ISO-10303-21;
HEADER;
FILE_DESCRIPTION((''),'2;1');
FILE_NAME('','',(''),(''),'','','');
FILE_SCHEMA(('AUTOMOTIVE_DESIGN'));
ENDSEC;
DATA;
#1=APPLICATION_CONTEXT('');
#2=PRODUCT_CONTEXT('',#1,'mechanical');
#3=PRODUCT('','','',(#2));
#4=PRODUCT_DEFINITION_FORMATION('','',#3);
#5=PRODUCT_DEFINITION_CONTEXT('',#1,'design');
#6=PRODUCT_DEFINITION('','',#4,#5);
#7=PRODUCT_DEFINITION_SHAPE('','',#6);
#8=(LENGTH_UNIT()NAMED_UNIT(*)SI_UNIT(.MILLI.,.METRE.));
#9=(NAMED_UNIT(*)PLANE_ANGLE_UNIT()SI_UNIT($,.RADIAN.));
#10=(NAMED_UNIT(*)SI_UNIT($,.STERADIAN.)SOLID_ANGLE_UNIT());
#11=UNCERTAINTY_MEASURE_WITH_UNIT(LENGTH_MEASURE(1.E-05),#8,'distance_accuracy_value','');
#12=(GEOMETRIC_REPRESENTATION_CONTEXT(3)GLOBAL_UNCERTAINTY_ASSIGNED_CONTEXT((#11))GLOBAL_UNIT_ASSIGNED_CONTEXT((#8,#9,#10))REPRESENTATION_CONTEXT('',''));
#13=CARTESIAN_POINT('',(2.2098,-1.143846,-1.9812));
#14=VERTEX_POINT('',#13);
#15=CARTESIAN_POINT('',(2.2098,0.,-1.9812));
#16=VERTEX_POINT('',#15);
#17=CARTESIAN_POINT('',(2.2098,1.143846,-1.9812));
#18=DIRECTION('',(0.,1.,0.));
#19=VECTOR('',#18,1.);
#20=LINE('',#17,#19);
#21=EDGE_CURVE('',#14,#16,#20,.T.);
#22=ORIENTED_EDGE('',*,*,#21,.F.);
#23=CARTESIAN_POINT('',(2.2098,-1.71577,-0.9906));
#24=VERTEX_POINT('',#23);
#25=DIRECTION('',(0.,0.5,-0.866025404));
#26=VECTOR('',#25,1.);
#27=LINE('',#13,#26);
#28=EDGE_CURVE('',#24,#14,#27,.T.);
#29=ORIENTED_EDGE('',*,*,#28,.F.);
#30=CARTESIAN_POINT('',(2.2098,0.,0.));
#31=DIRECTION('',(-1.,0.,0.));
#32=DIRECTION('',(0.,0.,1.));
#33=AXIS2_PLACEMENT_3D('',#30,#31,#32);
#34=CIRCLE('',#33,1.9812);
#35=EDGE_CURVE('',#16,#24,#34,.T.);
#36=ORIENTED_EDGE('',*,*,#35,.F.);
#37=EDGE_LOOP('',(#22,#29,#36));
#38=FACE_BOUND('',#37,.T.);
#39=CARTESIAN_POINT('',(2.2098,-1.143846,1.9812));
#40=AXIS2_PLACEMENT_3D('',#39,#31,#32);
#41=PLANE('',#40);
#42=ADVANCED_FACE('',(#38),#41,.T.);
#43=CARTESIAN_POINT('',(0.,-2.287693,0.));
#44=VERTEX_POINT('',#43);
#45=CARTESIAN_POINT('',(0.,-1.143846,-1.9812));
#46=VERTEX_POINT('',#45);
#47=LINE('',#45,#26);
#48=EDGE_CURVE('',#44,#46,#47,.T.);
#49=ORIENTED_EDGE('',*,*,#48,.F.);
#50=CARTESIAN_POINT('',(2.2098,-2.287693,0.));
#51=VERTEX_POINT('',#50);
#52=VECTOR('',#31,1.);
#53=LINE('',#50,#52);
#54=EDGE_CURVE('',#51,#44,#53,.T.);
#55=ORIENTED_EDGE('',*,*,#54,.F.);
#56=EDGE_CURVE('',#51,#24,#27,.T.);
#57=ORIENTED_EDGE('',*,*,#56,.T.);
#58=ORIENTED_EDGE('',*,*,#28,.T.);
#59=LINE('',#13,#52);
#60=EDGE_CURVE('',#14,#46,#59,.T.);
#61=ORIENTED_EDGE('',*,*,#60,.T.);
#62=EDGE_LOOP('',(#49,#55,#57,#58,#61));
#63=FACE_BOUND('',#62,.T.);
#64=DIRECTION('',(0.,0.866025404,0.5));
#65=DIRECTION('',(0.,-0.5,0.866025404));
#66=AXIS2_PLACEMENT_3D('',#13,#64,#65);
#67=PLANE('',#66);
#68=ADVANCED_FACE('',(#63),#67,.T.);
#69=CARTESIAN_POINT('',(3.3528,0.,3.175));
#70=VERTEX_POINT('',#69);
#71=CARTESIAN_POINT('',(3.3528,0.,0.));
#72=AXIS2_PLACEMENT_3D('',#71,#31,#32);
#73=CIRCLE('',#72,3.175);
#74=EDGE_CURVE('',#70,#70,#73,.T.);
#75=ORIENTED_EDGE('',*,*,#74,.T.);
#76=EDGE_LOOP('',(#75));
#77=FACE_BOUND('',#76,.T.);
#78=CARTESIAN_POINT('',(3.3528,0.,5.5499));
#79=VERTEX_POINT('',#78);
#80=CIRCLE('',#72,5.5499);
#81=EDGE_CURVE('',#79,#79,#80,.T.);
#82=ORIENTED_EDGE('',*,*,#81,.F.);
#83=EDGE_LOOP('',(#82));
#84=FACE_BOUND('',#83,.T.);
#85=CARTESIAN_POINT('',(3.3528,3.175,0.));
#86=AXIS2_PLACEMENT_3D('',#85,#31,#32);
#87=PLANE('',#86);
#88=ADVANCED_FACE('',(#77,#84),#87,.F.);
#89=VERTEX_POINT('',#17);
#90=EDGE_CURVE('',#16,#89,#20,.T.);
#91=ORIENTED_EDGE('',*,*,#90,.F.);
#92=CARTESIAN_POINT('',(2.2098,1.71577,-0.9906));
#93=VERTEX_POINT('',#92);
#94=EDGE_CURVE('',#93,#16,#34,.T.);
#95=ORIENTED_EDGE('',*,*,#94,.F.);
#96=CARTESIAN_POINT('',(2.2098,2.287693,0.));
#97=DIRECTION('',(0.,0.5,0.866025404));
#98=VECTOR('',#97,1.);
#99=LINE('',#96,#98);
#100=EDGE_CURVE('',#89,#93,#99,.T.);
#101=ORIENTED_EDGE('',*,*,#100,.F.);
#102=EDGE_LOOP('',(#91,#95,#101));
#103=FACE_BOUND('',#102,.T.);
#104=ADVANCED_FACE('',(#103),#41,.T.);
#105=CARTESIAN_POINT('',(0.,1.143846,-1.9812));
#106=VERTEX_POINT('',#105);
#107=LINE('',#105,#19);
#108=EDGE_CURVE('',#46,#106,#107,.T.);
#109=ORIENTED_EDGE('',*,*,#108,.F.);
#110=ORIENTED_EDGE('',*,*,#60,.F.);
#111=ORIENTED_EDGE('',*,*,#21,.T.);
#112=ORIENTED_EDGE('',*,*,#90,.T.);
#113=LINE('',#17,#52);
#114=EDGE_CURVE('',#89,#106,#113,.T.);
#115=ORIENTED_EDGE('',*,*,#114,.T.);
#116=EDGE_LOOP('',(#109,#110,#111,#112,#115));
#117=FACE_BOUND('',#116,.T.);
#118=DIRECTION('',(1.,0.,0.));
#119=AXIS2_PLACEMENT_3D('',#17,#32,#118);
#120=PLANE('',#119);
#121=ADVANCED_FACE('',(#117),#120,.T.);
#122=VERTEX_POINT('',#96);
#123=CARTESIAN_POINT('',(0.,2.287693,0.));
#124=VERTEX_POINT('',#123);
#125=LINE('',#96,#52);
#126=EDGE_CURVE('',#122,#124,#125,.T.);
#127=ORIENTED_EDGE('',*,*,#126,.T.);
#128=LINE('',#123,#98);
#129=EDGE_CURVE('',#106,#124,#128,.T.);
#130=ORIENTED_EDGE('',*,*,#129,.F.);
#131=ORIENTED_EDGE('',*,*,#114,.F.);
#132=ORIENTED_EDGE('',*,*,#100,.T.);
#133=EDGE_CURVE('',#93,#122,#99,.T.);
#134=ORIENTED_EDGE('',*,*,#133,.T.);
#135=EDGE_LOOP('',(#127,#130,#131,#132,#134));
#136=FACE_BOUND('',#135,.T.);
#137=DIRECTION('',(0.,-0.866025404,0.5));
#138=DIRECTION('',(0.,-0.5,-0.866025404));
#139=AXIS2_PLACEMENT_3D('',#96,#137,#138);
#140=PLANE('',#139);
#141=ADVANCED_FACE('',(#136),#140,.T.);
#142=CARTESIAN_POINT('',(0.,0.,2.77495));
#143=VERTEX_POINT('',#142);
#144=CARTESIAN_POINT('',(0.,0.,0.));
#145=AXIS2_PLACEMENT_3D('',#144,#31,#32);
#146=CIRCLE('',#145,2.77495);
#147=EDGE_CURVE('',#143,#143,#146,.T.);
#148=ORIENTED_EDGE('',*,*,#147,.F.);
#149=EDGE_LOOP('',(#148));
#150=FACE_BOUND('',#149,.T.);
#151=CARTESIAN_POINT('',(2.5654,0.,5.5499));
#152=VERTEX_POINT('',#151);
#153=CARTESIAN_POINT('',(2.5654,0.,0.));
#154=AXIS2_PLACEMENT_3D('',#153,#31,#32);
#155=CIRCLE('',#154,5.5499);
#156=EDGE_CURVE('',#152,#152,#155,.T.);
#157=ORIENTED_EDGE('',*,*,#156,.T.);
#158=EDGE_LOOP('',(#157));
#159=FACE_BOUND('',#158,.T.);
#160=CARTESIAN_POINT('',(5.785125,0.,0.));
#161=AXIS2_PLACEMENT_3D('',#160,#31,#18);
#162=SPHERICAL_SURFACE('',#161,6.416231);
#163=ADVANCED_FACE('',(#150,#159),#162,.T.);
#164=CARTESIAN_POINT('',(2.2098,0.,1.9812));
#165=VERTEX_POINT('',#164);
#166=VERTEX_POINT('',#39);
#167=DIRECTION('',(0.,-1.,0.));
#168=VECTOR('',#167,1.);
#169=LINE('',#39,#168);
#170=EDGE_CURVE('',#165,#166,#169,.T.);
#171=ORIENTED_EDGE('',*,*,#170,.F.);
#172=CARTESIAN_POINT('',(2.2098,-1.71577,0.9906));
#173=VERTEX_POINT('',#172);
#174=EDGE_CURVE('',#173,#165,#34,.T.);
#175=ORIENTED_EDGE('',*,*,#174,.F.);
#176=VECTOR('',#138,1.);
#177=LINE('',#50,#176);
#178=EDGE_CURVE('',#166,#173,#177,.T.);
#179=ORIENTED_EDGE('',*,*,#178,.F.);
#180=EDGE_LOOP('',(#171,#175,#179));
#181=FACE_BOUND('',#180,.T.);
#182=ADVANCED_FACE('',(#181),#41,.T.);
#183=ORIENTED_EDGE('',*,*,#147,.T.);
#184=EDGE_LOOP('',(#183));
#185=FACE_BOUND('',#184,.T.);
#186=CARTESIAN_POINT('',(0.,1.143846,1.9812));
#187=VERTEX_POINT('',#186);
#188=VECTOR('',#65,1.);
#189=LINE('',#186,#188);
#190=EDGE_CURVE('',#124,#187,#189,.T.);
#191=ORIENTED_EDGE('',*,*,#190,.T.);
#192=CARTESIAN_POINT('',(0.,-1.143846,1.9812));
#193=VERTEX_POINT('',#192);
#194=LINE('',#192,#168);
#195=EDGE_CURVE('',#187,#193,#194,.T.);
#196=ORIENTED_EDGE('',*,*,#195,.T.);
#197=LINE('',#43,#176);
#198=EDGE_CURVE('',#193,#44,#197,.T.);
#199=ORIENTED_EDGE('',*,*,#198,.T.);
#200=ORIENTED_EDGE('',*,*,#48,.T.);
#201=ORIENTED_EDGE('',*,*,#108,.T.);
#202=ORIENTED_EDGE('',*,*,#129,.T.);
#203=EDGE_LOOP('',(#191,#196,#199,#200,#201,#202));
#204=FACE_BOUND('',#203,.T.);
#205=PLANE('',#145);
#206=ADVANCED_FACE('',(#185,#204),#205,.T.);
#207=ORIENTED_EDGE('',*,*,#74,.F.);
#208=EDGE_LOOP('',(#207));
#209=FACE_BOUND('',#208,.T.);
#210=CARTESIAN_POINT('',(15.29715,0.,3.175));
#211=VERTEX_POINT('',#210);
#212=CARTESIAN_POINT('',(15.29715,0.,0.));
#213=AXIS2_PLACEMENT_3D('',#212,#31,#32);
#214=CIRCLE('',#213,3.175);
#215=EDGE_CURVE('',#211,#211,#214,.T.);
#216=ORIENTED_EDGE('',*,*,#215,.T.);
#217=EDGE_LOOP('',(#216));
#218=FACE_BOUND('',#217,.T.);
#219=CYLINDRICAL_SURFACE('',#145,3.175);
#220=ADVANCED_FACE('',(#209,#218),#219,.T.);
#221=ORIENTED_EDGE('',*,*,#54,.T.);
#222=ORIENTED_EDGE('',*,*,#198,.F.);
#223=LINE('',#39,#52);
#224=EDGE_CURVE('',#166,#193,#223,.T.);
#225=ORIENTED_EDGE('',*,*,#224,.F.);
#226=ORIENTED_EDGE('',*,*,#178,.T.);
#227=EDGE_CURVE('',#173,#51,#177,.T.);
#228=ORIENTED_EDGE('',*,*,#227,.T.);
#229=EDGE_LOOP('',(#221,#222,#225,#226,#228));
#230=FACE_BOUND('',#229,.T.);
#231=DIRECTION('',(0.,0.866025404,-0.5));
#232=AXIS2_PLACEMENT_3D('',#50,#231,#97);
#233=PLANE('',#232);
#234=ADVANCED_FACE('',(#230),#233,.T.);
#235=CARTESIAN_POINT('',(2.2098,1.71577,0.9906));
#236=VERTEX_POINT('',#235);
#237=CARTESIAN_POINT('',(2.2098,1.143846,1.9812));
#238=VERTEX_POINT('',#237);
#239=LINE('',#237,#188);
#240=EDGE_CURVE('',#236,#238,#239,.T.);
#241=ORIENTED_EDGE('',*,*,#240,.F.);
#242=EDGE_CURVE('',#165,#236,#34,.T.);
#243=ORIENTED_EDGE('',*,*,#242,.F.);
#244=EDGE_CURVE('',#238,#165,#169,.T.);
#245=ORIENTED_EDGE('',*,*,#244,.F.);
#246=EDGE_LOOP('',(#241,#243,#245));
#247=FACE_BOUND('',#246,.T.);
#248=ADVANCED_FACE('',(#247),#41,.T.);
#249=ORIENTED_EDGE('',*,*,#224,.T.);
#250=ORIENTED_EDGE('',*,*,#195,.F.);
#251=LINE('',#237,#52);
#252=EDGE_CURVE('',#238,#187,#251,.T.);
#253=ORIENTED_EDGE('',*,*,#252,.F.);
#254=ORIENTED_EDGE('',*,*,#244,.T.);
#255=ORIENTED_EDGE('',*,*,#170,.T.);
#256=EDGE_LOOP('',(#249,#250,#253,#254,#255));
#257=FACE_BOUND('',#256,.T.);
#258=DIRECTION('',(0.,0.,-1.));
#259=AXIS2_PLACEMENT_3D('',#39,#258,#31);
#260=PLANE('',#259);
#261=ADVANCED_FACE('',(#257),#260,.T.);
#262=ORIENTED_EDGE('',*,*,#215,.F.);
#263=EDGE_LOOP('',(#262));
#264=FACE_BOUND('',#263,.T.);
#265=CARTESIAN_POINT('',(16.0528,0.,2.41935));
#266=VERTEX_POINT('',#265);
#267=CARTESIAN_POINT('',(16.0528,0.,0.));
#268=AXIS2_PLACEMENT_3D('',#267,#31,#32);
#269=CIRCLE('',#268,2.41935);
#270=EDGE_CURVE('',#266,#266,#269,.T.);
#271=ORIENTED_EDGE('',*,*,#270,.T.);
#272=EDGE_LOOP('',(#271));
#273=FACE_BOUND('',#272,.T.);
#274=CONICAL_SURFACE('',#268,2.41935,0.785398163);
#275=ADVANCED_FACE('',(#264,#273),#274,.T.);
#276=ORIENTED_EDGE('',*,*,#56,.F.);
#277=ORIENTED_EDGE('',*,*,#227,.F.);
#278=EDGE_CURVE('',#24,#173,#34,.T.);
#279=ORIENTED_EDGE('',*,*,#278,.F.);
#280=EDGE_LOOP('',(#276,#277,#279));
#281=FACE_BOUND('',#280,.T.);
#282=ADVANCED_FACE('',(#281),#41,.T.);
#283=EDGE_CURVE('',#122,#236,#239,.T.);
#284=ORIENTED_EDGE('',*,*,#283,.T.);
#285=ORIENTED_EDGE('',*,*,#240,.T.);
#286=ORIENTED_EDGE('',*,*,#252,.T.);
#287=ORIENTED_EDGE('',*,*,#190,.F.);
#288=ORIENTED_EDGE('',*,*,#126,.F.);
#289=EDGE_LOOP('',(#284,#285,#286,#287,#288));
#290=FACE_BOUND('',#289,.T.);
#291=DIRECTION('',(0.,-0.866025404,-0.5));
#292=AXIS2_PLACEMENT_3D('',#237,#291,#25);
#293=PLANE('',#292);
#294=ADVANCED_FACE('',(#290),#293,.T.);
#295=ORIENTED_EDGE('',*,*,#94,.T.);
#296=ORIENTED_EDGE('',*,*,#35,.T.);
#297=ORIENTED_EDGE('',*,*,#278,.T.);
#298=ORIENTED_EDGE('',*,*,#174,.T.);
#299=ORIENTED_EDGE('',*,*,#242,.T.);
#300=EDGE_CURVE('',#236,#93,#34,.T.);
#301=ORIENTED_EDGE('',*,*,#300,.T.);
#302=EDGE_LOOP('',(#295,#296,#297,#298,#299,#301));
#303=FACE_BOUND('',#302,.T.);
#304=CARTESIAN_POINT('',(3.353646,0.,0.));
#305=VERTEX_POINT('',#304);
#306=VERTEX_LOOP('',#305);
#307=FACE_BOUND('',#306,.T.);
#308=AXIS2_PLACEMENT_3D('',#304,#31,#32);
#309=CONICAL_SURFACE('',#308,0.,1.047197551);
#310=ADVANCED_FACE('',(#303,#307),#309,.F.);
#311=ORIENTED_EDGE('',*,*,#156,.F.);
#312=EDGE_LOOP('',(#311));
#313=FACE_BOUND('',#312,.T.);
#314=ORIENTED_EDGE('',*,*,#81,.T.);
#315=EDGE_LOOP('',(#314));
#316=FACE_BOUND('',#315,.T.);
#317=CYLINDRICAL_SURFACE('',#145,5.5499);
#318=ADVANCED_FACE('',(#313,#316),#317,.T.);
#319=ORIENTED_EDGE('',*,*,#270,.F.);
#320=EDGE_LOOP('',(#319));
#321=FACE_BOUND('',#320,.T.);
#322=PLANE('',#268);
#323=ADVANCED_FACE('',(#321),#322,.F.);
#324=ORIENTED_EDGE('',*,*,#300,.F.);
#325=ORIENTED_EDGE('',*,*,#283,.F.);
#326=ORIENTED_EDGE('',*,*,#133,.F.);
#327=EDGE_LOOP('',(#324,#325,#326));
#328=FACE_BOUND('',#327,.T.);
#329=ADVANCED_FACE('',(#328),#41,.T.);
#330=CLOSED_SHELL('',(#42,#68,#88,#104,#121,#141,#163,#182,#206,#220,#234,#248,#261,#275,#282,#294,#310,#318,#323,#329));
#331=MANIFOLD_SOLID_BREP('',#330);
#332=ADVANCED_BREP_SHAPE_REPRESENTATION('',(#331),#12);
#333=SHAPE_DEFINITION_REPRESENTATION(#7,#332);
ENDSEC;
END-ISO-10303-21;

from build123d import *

# Parameters (mm, degrees)
HEX_2_DEPTH = 2.2098


with BuildPart() as part:
    # BodySke → BaseBody (revolve)
    with BuildSketch(Plane.XY):
        with BuildLine():
            Line((16.0528, 0), (16.0528, 2.41935))
            Line((16.0528, 2.41935), (15.29715, 3.175))
            Line((15.29715, 3.175), (3.3528, 3.175))
            Line((3.3528, 3.175), (3.3528, 5.5499))
            Line((3.3528, 5.5499), (2.5654, 5.5499))
            ThreePointArc((2.5654, 5.5499), (1.073764503, 4.355582759), (0, 2.77495))
            Line((0, 2.77495), (0, 0))
            Line((0, 0), (16.0528, 0))
        make_face()
    revolve(axis=Axis((0, 0, 0), (1, 0, 0)))

    # Sketch2 → PreBroach (revolve, cut)
    with BuildSketch(Plane.XY):
        Polygon((0, 1.9812), (2.2098, 1.9812), (3.353646353, 0), (0, 0), align=None)
    revolve(axis=Axis((0, 0, 0), (1, 0, 0)), mode=Mode.SUBTRACT)

    # Sketch3 → Hex 2 (cut)
    with BuildSketch(Plane(origin=(0, 0, 0), x_dir=(0, 0, -1), z_dir=(1, 0, 0))):
        Polygon((-1.9812, -1.143846353), (-1.9812, 1.143846353), (0, 2.287692707), (1.9812, 1.143846353), (1.9812, -1.143846353), (0, -2.287692707), align=None)
    extrude(amount=HEX_2_DEPTH, mode=Mode.SUBTRACT)


solid = part.part
